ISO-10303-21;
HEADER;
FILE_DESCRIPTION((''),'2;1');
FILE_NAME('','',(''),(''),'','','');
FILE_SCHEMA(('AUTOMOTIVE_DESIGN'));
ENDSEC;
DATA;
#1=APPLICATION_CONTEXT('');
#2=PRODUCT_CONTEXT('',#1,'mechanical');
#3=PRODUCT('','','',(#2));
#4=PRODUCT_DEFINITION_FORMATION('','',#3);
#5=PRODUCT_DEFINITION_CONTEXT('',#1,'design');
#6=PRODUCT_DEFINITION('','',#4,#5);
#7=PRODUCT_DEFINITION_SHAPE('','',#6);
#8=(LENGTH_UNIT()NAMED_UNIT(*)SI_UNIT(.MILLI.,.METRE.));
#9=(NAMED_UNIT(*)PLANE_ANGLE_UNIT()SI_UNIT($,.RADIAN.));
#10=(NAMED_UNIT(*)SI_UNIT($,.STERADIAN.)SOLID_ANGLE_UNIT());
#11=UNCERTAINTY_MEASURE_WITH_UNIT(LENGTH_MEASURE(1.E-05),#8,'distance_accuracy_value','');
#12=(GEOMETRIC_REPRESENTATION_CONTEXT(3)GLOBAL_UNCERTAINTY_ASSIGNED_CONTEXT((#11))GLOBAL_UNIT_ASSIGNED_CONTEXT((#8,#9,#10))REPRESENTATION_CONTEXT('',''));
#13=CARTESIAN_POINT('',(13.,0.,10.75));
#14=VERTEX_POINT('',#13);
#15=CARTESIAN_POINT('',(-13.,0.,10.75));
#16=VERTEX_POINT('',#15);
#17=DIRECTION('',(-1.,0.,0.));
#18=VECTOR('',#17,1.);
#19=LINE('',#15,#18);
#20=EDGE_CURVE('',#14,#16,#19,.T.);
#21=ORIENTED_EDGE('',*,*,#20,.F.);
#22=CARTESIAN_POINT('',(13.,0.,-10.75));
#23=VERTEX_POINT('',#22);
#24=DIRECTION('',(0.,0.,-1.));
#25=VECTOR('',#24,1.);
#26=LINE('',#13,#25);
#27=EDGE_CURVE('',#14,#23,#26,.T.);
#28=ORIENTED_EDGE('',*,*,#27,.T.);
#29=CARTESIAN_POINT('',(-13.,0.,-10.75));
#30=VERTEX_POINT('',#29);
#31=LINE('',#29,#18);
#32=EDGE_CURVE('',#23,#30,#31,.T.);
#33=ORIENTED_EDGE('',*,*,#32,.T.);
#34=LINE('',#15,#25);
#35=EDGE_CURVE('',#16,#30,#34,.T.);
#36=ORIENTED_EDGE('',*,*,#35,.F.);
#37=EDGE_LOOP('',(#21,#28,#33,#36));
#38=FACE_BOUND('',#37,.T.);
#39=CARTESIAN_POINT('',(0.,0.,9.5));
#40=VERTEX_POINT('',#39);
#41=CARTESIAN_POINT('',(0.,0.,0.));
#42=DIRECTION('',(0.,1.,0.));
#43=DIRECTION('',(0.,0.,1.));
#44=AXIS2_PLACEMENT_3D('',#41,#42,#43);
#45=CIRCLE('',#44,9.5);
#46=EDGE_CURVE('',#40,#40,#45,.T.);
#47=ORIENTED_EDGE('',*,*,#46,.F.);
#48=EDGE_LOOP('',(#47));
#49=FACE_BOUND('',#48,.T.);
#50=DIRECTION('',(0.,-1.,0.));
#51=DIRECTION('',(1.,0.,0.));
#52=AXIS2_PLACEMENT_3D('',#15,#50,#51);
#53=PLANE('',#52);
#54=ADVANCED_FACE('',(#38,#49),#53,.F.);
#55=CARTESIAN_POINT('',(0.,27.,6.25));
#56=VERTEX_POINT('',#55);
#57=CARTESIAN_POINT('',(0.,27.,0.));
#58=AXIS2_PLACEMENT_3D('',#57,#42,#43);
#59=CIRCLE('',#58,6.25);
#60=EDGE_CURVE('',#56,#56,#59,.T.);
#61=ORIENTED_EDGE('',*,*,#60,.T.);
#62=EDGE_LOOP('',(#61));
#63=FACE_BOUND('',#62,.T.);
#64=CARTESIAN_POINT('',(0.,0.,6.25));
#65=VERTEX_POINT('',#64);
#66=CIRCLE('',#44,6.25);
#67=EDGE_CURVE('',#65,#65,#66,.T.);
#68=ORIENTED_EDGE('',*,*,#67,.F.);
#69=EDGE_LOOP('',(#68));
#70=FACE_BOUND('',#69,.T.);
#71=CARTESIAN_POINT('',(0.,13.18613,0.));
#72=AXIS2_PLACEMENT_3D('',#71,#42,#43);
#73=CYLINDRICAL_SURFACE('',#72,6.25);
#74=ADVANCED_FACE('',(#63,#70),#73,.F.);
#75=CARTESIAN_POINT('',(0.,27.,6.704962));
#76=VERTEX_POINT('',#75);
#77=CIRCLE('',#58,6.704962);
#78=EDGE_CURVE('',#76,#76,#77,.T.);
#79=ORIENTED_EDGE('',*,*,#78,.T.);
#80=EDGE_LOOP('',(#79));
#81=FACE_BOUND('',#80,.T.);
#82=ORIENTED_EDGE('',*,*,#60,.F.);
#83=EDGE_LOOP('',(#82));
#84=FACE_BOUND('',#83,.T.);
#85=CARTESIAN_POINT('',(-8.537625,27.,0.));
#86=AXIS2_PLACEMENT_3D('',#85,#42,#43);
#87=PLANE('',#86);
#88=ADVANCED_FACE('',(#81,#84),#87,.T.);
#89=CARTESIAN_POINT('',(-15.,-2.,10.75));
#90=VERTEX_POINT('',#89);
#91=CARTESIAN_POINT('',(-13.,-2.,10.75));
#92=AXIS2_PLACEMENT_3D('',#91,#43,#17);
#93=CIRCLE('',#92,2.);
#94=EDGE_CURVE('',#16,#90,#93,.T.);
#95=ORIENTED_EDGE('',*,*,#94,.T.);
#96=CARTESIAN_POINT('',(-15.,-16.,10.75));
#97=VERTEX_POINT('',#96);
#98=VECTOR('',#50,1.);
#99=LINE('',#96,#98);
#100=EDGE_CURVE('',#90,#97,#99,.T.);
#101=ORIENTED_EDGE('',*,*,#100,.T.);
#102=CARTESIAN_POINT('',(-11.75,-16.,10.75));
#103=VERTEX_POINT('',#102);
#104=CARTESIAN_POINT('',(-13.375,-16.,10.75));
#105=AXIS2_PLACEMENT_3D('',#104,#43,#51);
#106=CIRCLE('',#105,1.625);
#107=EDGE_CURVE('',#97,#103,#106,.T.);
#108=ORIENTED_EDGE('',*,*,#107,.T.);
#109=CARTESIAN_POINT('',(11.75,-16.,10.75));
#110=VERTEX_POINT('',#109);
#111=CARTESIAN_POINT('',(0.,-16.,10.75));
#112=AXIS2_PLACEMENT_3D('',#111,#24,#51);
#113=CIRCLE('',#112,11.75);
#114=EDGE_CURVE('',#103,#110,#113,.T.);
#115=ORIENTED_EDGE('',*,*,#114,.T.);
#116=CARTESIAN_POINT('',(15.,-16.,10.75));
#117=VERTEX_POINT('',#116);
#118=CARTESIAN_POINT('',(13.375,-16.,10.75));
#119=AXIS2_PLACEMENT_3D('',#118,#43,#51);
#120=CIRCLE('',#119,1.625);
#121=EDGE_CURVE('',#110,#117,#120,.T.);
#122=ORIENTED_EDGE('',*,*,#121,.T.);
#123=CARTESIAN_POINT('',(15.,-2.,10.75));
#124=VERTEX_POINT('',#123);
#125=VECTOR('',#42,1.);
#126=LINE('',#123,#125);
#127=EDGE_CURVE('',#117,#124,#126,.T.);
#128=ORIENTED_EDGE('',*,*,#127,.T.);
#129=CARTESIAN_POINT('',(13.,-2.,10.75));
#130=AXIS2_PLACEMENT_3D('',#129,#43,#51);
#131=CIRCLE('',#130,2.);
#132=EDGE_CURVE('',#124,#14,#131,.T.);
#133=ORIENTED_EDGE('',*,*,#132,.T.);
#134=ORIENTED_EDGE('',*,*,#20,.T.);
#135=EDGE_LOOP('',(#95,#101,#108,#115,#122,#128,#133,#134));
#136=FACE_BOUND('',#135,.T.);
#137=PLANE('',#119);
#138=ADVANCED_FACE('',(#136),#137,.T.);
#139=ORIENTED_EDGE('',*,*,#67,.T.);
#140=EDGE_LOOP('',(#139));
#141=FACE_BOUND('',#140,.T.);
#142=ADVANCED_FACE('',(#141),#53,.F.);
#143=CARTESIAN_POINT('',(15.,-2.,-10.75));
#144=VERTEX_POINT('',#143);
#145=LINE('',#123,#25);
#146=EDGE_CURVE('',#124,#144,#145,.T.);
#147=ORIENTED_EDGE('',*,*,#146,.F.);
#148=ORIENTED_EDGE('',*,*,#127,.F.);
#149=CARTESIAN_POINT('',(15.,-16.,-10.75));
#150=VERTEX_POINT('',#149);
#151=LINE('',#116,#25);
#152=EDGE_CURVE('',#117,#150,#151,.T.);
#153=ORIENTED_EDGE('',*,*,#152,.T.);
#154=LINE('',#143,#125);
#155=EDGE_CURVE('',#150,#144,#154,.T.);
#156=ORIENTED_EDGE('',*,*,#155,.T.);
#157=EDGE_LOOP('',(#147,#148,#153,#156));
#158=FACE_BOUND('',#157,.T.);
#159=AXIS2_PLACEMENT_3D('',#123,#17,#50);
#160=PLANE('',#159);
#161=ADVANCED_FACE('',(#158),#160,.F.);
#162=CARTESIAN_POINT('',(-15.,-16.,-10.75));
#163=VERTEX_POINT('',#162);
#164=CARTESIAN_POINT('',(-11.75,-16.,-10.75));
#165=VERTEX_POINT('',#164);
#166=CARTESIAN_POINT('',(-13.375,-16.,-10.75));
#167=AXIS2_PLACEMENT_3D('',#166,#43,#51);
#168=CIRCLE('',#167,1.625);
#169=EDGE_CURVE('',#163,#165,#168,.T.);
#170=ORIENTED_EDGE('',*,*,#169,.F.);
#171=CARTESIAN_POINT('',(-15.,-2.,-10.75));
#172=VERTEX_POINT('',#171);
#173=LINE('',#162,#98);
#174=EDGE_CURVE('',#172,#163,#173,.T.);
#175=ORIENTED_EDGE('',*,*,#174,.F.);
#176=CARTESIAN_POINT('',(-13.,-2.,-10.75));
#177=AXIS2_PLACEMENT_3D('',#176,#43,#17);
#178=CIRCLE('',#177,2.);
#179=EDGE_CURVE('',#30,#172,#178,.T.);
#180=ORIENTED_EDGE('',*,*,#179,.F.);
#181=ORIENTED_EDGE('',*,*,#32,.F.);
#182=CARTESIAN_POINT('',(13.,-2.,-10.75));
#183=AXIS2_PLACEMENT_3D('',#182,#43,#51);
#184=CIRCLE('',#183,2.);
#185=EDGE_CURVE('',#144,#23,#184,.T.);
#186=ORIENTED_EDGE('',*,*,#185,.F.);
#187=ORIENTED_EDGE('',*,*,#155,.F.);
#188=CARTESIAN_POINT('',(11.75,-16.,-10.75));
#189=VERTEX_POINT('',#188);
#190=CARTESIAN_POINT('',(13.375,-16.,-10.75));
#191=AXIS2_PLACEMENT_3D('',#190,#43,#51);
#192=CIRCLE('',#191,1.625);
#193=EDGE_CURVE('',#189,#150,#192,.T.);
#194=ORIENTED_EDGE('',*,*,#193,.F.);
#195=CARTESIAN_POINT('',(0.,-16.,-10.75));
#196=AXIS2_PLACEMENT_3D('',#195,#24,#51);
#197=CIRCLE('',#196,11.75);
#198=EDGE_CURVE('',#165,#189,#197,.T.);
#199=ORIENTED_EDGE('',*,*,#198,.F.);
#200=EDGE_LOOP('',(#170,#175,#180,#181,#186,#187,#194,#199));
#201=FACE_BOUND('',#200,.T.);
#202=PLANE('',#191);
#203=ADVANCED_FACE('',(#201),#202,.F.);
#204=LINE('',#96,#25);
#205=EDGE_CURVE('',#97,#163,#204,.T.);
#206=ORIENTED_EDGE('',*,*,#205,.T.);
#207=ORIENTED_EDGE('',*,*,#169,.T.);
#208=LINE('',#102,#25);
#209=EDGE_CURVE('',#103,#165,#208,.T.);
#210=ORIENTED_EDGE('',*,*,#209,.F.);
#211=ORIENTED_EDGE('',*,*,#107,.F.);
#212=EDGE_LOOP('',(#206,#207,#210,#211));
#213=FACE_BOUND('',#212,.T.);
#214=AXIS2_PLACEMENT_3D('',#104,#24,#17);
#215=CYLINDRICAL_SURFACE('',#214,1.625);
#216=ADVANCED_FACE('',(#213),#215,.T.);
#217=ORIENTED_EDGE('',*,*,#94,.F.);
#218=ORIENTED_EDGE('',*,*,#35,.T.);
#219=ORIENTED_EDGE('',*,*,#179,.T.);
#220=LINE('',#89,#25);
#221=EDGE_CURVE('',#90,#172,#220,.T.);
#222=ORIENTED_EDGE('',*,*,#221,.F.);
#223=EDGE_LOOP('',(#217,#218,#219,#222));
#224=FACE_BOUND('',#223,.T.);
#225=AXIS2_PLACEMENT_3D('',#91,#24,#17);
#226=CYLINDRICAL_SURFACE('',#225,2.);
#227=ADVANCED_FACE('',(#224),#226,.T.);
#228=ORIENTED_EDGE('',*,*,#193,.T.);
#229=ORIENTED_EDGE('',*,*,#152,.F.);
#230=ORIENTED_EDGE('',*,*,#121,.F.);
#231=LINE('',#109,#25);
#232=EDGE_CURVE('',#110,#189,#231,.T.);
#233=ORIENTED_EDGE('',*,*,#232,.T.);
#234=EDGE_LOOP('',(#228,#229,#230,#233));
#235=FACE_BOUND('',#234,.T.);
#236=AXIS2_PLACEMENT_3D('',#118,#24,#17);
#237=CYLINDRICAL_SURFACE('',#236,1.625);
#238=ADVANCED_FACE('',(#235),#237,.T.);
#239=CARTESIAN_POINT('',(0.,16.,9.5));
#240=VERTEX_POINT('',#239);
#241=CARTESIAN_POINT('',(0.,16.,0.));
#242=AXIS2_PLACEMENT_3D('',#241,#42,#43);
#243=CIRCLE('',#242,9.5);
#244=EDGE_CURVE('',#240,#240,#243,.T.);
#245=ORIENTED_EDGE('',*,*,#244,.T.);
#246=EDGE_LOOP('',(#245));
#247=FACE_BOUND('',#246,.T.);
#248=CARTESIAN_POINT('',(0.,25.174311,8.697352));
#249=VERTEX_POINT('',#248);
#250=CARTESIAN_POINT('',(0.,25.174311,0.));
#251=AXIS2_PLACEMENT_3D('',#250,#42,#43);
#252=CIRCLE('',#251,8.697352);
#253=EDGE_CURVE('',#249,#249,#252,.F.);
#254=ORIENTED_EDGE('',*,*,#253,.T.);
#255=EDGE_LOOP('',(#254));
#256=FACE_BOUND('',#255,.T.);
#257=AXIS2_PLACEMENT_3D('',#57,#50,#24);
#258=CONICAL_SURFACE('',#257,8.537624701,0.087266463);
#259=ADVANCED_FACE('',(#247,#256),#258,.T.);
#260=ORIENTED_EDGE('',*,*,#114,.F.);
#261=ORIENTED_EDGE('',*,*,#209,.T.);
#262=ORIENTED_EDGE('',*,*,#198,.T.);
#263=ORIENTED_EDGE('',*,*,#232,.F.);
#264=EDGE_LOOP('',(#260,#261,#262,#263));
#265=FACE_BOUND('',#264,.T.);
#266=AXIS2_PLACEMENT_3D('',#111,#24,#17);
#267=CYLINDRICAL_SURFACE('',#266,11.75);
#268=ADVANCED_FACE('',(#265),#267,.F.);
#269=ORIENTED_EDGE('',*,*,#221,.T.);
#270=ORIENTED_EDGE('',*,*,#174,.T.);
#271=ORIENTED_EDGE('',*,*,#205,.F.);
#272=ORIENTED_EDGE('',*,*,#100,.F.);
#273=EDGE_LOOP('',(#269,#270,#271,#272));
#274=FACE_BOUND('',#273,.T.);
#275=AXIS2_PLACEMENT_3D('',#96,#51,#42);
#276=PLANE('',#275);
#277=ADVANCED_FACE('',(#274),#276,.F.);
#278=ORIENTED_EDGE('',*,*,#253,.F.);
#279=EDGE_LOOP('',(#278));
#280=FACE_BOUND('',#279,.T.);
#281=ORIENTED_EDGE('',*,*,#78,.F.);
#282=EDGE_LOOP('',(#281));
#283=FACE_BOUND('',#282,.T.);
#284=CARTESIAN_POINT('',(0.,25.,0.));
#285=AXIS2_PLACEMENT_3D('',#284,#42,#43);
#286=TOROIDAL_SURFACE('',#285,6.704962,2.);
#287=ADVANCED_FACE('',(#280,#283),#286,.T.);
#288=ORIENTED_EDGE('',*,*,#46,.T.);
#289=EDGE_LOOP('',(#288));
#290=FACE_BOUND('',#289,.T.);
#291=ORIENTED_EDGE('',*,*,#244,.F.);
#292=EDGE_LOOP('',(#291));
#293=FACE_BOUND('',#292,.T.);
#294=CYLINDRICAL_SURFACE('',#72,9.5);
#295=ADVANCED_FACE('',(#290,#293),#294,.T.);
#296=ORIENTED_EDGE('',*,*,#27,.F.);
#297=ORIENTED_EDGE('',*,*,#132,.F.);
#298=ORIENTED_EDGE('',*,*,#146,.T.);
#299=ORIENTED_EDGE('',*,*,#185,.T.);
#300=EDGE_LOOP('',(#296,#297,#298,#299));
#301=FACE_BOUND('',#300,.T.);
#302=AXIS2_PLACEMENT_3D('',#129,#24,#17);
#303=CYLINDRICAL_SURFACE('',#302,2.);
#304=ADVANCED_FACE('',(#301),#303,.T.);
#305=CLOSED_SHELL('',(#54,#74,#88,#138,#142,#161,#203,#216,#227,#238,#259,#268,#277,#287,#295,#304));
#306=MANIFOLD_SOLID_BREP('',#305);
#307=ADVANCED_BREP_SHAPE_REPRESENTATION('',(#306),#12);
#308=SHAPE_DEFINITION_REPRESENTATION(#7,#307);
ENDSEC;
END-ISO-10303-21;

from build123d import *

# Parameters (mm, degrees)
BOSS_EXTRUDE1_DEPTH = 10.75
FILLET2_R           = 2


with BuildPart() as part:
    # Sketch1 → Boss-Extrude1 (new, symmetric)
    with BuildSketch(Plane.XY):
        with BuildLine():
            Line((-13, 0), (13, 0))
            ThreePointArc((13, 0), (14.414213562, -0.585786438), (15, -2))
            Line((15, -2), (15, -16))
            ThreePointArc((15, -16), (13.375, -17.625), (11.75, -16))
            ThreePointArc((11.75, -16), (0, -4.25), (-11.75, -16))
            ThreePointArc((-11.75, -16), (-13.375, -17.625), (-15, -16))
            Line((-15, -16), (-15, -2))
            ThreePointArc((-15, -2), (-14.414213562, -0.585786438), (-13, 0))
        make_face()
    extrude(amount=BOSS_EXTRUDE1_DEPTH, both=True)

    # Sketch3 → Revolve1 (revolve)
    with BuildSketch(Plane.XY, mode=Mode.PRIVATE) as revolve1_sk:
        Polygon((-9.5, 0), (-9.5, 16), (-8.537624701, 27), (-6.25, 27), (-6.25, 0), align=None)
    revolve(revolve1_sk.sketch.rotate(Axis((0, 13.186129828, 0), (0, -1, 0)), 270), axis=Axis((0, 13.186129828, 0), (0, -1, 0)))

    # Fillet2
    fillet2_edges = [part.edges().sort_by_distance(p)[0] for p in [
        (0, 27, -8.537624701),
    ]]
    fillet(fillet2_edges, radius=FILLET2_R)


solid = part.part
